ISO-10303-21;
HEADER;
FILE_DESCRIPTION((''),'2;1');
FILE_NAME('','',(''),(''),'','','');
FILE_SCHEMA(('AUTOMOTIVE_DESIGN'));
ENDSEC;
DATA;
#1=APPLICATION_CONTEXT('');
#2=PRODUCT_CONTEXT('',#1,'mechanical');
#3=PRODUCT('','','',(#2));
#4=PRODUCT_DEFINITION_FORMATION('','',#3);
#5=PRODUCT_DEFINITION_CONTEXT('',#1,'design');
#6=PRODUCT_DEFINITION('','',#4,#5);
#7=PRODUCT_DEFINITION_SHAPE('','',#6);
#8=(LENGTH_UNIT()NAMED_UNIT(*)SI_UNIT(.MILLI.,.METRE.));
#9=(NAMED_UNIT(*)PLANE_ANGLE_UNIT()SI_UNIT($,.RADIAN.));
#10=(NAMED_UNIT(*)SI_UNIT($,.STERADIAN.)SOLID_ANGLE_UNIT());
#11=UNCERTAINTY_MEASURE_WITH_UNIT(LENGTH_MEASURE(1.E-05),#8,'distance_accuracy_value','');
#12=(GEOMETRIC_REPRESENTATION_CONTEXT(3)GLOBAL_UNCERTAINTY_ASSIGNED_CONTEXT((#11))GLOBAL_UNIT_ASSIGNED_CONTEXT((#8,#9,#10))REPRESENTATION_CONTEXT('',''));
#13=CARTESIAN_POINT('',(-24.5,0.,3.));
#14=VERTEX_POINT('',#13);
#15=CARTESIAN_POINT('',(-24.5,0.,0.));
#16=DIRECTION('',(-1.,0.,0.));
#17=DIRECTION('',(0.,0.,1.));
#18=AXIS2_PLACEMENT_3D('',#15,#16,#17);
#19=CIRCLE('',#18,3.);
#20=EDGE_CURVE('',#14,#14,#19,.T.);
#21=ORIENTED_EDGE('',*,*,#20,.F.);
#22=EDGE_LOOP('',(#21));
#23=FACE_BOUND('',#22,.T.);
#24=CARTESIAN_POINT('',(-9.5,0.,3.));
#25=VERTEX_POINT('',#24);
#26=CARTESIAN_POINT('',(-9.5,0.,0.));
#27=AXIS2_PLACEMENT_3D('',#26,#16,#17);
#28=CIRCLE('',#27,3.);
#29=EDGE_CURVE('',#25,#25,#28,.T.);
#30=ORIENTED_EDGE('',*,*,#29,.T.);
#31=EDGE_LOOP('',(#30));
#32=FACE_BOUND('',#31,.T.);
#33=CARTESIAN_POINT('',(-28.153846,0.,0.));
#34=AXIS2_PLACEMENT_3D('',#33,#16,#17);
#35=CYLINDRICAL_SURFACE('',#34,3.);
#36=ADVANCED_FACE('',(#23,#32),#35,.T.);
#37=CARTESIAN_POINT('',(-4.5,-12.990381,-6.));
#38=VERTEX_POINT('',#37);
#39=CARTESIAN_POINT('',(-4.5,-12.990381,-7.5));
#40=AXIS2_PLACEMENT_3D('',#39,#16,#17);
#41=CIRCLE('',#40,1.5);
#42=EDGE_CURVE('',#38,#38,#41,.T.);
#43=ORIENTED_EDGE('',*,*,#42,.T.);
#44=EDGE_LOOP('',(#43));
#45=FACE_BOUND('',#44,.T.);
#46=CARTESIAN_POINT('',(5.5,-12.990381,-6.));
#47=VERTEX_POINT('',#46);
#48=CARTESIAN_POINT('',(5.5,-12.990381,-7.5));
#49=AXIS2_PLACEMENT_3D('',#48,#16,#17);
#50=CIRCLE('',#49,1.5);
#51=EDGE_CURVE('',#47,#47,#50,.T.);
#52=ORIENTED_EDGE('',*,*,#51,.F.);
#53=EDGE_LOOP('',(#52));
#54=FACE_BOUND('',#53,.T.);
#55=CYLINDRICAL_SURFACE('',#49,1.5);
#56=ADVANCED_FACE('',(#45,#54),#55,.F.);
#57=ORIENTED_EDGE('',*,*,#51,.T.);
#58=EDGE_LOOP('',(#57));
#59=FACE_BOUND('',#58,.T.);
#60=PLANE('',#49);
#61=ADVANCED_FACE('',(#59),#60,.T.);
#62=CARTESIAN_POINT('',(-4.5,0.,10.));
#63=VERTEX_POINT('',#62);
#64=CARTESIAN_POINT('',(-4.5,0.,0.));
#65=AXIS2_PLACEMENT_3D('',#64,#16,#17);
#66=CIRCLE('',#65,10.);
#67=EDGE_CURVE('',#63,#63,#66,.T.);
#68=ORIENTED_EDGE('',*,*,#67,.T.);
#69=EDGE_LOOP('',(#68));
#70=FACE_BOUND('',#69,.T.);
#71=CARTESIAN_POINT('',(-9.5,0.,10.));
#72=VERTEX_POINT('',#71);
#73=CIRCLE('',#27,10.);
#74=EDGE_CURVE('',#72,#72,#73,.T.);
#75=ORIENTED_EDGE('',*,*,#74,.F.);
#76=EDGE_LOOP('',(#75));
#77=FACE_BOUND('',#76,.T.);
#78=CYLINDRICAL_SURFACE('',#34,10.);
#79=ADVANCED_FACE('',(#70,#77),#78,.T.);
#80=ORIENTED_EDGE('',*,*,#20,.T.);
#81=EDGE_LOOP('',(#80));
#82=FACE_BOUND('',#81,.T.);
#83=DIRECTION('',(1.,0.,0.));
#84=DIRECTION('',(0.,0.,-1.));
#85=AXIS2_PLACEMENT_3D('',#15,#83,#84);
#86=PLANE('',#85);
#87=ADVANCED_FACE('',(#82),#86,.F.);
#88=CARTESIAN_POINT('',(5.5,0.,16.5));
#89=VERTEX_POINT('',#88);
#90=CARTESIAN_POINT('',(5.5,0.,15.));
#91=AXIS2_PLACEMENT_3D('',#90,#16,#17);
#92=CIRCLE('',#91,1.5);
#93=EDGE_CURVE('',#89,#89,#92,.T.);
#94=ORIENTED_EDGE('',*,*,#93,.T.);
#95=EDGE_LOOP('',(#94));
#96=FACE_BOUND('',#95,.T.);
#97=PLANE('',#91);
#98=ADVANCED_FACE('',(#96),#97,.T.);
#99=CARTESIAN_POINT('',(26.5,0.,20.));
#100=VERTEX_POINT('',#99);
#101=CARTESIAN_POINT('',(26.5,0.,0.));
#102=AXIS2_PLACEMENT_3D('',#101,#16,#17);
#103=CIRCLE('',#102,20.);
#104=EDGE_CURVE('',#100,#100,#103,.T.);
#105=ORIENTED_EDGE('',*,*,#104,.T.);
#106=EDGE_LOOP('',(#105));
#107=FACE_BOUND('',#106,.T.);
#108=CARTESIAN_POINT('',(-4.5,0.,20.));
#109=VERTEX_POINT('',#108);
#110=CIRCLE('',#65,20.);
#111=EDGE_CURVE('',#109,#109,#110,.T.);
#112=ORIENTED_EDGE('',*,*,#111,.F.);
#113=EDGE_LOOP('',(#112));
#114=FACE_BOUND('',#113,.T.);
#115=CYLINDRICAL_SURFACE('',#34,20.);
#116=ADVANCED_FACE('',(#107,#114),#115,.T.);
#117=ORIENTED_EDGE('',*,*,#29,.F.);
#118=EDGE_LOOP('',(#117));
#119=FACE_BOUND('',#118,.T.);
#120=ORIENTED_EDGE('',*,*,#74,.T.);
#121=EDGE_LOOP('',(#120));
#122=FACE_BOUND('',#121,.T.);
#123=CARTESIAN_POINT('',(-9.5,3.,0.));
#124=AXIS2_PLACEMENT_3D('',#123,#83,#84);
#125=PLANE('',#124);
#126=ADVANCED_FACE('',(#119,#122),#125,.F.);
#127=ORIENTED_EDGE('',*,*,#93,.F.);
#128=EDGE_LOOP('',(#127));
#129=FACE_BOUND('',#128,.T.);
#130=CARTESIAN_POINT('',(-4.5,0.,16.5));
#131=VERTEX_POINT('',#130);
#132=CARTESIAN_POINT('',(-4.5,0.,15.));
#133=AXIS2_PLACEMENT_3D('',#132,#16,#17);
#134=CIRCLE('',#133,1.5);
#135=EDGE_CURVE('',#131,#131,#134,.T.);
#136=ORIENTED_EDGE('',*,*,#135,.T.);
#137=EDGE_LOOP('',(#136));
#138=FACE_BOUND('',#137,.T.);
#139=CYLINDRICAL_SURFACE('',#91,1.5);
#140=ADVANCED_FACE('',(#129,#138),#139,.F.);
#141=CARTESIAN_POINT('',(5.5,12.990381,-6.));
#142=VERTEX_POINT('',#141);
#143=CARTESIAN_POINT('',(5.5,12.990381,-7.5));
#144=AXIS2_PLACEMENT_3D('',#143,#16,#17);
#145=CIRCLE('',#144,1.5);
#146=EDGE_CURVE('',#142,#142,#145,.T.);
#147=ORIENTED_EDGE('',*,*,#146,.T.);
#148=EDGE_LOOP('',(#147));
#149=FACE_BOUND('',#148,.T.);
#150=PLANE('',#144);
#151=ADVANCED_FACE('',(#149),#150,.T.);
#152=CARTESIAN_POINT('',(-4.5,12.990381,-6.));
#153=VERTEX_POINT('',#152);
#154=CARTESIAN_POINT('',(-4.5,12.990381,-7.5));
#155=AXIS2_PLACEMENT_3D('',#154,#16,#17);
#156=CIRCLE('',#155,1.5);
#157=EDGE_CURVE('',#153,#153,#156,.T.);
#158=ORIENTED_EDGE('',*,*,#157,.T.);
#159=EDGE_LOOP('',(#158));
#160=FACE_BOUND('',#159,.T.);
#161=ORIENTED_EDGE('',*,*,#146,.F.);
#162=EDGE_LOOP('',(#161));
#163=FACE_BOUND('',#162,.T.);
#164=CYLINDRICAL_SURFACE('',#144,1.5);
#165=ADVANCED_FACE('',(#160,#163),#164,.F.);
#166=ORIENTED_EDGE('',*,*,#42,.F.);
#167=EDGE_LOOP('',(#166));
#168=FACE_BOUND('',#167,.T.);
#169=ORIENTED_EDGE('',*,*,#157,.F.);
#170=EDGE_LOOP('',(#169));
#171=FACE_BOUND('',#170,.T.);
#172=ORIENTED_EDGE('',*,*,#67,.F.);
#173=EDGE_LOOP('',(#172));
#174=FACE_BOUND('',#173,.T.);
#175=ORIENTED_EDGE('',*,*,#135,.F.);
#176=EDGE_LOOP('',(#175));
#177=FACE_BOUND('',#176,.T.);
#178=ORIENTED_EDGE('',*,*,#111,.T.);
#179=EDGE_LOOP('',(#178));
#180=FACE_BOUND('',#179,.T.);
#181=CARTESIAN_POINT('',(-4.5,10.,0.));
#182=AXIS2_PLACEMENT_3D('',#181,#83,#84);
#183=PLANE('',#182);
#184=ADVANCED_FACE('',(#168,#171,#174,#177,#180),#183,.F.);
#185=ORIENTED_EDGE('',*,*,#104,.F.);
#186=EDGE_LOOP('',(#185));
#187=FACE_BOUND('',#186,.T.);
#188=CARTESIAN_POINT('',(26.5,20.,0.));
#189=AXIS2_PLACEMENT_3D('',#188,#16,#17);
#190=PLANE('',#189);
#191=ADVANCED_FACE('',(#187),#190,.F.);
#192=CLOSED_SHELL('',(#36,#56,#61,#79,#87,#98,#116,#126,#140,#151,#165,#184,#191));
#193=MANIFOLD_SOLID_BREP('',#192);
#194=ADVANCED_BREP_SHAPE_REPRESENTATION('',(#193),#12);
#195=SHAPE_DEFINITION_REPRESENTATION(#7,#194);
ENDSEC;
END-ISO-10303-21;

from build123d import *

# Parameters (mm, degrees)
SKETCH2_R          = 1.5
CUT_EXTRUDE1_DEPTH = 10


with BuildPart() as part:
    # Sketch1 → Revolve1 (revolve)
    with BuildSketch(Plane.XY, mode=Mode.PRIVATE) as revolve1_sk:
        Polygon((-24.5, 0), (-24.5, 3), (-9.5, 3), (-9.5, 10), (-4.5, 10), (-4.5, 20), (26.5, 20), (26.5, 0), align=None)
    revolve(revolve1_sk.sketch.rotate(Axis((-28.153846154, 0, 0), (1, 0, 0)), 90), axis=Axis((-28.153846154, 0, 0), (1, 0, 0)))

    # Sketch2 → Cut-Extrude1 (cut)
    with BuildSketch(Plane.ZY.offset(4.5)):
        with Locations((15, 0)):
            Circle(SKETCH2_R)
        with Locations((-7.5, -12.990381057)):
            Circle(SKETCH2_R)
        with Locations((-7.5, 12.990381057)):
            Circle(SKETCH2_R)
    extrude(amount=-CUT_EXTRUDE1_DEPTH, mode=Mode.SUBTRACT)


solid = part.part
